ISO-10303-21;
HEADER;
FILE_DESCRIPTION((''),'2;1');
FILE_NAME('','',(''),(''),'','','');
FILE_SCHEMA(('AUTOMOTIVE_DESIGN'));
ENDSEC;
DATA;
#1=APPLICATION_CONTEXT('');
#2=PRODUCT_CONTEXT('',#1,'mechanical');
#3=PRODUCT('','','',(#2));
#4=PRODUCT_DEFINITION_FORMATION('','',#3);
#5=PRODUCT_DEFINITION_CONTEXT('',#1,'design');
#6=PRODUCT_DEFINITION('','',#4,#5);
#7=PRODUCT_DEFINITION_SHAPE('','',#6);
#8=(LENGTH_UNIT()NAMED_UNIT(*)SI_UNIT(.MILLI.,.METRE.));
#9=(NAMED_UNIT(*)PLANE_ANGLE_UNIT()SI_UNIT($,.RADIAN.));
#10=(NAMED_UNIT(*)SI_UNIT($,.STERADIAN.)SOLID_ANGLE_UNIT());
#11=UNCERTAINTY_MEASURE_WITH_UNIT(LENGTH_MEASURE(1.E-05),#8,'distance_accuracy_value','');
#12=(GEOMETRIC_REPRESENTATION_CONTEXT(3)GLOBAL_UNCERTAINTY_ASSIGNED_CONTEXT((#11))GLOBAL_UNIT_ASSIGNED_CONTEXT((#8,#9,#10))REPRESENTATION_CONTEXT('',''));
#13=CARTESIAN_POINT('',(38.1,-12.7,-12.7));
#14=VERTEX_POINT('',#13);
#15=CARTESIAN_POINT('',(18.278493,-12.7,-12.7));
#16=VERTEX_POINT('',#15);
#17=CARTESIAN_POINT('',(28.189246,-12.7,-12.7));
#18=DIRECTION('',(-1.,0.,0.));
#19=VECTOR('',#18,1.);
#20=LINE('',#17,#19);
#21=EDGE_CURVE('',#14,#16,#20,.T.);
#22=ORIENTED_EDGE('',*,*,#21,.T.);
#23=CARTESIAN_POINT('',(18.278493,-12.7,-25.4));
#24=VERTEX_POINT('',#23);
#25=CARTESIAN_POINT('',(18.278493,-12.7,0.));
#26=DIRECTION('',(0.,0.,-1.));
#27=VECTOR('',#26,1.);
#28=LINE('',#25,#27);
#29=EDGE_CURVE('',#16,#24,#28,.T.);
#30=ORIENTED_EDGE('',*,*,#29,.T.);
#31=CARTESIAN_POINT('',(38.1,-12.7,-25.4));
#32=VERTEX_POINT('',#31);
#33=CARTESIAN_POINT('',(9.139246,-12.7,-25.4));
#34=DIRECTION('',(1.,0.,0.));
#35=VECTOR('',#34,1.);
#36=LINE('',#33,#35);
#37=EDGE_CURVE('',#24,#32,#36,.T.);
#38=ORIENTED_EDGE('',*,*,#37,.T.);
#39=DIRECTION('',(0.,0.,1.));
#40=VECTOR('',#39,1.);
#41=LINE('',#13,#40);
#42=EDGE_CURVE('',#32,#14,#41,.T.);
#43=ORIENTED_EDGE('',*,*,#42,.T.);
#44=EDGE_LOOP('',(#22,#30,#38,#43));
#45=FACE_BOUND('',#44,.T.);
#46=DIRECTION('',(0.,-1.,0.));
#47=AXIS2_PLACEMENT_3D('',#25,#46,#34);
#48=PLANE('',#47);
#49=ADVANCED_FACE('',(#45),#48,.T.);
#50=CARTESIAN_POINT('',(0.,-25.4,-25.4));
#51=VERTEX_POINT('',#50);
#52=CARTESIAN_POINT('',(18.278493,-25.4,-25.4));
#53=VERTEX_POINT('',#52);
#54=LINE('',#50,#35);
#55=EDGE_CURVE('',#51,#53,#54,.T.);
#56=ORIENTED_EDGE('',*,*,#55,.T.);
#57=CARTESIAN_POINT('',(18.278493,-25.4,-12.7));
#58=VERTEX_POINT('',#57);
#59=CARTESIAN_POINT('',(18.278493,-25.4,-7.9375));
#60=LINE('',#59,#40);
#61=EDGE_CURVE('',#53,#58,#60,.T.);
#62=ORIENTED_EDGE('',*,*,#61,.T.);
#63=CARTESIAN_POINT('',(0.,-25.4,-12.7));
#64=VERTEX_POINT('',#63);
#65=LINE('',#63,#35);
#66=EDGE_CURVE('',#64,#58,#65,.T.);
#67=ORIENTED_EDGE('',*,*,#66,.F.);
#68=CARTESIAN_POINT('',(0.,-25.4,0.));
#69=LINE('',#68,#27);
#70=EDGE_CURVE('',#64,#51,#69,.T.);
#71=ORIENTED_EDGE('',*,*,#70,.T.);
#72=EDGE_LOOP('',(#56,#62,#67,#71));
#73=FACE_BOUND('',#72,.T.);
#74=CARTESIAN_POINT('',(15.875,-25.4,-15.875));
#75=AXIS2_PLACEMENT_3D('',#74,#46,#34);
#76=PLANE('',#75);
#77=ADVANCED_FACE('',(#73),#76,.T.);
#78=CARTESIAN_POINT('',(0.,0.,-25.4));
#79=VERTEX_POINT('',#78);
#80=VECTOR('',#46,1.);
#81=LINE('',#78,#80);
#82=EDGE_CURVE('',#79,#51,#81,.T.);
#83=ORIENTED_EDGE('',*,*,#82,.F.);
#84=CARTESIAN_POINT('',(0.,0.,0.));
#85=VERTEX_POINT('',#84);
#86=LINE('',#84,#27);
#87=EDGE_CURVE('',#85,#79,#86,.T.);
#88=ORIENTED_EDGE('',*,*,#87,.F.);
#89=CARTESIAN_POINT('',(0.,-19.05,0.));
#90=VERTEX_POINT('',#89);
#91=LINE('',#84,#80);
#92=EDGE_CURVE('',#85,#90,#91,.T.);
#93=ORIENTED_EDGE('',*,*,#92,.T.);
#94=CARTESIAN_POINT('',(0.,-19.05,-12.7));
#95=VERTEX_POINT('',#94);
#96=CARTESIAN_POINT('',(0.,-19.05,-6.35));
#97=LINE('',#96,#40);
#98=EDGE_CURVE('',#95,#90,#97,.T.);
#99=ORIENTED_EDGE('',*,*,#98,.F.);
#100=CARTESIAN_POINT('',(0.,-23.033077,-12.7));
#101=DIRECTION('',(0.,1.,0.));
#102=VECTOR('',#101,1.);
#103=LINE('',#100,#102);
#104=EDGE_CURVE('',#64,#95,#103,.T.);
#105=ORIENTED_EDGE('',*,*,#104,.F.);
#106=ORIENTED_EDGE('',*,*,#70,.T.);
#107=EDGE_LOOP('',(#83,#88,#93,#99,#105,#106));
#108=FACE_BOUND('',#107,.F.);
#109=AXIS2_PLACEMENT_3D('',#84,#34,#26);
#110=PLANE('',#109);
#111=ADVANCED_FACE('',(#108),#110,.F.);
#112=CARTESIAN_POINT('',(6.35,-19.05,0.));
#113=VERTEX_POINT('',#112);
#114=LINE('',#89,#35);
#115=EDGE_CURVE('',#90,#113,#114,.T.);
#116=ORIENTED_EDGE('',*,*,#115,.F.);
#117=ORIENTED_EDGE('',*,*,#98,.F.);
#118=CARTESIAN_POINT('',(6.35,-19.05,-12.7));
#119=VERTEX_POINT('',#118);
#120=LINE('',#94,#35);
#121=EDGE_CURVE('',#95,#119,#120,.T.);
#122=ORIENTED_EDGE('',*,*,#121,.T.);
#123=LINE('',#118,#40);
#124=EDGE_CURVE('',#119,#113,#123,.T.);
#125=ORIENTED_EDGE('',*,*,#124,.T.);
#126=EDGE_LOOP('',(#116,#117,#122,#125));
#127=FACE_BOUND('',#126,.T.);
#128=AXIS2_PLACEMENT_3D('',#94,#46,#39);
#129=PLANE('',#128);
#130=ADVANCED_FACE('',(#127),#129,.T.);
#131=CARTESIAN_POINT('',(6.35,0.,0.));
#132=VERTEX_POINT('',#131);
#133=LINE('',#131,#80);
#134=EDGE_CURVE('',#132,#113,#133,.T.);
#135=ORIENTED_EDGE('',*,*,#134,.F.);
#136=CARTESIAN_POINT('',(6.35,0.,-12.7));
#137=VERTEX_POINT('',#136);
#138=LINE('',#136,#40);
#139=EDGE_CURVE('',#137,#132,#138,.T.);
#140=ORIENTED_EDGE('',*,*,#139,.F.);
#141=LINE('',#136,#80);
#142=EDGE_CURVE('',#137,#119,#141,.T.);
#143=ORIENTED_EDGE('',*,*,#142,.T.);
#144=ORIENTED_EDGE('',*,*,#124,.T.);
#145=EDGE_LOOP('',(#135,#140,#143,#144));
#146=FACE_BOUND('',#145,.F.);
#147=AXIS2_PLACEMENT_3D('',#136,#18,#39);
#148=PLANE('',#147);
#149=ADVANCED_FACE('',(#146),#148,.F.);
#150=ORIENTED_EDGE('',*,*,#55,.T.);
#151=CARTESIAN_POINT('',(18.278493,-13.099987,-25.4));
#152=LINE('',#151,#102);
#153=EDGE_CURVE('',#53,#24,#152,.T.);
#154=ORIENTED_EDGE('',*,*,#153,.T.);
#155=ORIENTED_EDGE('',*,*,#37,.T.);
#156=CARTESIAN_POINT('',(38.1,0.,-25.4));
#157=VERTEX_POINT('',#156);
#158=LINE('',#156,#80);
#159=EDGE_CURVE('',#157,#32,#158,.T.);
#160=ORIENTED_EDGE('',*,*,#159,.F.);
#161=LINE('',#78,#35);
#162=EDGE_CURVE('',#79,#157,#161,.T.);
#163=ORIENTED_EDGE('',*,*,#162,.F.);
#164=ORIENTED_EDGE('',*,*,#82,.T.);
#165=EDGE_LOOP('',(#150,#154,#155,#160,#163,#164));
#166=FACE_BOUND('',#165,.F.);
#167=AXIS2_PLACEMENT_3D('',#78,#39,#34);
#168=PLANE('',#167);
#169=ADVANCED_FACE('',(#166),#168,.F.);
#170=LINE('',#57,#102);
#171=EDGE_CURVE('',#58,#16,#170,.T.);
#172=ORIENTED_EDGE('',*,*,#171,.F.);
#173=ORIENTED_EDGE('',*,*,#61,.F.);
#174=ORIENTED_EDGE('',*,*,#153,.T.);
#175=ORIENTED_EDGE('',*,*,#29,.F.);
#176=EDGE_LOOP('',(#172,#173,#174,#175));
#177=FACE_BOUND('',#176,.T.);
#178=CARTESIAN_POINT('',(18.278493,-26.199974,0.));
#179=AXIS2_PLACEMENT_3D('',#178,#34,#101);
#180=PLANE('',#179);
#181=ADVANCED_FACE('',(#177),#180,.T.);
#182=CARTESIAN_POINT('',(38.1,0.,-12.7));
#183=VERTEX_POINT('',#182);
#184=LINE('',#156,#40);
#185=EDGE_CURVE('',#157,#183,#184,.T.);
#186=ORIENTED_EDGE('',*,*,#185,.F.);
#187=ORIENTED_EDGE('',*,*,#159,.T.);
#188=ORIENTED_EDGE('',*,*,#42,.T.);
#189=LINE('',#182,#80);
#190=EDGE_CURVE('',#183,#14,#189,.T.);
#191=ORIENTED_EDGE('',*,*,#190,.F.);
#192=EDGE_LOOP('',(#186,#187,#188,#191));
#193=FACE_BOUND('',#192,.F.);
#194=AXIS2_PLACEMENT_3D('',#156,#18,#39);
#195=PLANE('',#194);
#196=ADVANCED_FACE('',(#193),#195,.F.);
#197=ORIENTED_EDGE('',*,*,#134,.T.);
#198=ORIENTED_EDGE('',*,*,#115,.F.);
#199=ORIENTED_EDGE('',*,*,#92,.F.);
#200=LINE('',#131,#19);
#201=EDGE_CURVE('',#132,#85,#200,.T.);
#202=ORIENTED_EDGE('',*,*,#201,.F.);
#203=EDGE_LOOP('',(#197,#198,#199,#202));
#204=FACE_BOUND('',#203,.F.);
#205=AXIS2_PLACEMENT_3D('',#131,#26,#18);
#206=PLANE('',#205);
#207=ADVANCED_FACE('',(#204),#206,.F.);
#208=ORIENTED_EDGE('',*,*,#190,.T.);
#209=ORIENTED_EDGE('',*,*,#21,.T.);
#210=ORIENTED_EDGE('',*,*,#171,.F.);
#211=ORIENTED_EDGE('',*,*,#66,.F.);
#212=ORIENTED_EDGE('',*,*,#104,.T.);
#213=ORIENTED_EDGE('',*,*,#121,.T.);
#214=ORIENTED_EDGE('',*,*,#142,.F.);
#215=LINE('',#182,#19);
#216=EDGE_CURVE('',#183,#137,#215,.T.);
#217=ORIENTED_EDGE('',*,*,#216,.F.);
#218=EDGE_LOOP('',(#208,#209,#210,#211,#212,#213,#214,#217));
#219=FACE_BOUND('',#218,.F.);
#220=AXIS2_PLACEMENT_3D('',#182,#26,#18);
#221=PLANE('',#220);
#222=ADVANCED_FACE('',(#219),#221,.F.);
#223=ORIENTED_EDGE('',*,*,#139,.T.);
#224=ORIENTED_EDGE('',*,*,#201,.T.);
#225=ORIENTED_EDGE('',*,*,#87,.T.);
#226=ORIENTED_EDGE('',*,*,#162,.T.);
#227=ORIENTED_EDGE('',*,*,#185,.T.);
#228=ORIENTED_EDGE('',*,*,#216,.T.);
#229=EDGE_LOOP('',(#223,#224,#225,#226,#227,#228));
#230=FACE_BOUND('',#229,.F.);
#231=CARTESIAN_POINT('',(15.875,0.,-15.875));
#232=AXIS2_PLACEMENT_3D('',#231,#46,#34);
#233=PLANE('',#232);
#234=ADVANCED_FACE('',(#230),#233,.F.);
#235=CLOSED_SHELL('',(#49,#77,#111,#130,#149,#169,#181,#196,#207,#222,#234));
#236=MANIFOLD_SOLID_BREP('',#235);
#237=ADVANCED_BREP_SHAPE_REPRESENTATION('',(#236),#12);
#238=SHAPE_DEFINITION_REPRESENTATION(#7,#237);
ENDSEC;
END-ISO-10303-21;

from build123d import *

# Parameters (mm, degrees)
F1_DEPTH = 25.4
F2_W     = 20.863877578
F2_H     = 13.4999741197
F3_DEPTH = 25.401
F4_W     = 7.9661535591
F4_H     = 12.7
F5_DEPTH = 25.4


with BuildPart() as f1:
    # F0 (on Front) → F1 (new body)
    with BuildSketch(Plane.XZ):
        Polygon((6.35, 0), (0, 0), (0, -25.4), (38.1, -25.4), (38.1, -12.7), (6.35, -12.7), align=None)
    extrude(amount=F1_DEPTH)

    # F2 (on Top) → F3 (cut, through all)
    with BuildSketch(Plane.XY):
        with Locations((28.710431435, -19.4499870598)):
            Rectangle(F2_W, F2_H)
    extrude(amount=-F3_DEPTH, mode=Mode.SUBTRACT)

    # F4 (on Right) → F5 (cut)
    with BuildSketch(Plane.YZ):
        with Locations((-23.0330767795, -6.35)):
            Rectangle(F4_W, F4_H)
    extrude(amount=F5_DEPTH, mode=Mode.SUBTRACT)


solid = f1.part
